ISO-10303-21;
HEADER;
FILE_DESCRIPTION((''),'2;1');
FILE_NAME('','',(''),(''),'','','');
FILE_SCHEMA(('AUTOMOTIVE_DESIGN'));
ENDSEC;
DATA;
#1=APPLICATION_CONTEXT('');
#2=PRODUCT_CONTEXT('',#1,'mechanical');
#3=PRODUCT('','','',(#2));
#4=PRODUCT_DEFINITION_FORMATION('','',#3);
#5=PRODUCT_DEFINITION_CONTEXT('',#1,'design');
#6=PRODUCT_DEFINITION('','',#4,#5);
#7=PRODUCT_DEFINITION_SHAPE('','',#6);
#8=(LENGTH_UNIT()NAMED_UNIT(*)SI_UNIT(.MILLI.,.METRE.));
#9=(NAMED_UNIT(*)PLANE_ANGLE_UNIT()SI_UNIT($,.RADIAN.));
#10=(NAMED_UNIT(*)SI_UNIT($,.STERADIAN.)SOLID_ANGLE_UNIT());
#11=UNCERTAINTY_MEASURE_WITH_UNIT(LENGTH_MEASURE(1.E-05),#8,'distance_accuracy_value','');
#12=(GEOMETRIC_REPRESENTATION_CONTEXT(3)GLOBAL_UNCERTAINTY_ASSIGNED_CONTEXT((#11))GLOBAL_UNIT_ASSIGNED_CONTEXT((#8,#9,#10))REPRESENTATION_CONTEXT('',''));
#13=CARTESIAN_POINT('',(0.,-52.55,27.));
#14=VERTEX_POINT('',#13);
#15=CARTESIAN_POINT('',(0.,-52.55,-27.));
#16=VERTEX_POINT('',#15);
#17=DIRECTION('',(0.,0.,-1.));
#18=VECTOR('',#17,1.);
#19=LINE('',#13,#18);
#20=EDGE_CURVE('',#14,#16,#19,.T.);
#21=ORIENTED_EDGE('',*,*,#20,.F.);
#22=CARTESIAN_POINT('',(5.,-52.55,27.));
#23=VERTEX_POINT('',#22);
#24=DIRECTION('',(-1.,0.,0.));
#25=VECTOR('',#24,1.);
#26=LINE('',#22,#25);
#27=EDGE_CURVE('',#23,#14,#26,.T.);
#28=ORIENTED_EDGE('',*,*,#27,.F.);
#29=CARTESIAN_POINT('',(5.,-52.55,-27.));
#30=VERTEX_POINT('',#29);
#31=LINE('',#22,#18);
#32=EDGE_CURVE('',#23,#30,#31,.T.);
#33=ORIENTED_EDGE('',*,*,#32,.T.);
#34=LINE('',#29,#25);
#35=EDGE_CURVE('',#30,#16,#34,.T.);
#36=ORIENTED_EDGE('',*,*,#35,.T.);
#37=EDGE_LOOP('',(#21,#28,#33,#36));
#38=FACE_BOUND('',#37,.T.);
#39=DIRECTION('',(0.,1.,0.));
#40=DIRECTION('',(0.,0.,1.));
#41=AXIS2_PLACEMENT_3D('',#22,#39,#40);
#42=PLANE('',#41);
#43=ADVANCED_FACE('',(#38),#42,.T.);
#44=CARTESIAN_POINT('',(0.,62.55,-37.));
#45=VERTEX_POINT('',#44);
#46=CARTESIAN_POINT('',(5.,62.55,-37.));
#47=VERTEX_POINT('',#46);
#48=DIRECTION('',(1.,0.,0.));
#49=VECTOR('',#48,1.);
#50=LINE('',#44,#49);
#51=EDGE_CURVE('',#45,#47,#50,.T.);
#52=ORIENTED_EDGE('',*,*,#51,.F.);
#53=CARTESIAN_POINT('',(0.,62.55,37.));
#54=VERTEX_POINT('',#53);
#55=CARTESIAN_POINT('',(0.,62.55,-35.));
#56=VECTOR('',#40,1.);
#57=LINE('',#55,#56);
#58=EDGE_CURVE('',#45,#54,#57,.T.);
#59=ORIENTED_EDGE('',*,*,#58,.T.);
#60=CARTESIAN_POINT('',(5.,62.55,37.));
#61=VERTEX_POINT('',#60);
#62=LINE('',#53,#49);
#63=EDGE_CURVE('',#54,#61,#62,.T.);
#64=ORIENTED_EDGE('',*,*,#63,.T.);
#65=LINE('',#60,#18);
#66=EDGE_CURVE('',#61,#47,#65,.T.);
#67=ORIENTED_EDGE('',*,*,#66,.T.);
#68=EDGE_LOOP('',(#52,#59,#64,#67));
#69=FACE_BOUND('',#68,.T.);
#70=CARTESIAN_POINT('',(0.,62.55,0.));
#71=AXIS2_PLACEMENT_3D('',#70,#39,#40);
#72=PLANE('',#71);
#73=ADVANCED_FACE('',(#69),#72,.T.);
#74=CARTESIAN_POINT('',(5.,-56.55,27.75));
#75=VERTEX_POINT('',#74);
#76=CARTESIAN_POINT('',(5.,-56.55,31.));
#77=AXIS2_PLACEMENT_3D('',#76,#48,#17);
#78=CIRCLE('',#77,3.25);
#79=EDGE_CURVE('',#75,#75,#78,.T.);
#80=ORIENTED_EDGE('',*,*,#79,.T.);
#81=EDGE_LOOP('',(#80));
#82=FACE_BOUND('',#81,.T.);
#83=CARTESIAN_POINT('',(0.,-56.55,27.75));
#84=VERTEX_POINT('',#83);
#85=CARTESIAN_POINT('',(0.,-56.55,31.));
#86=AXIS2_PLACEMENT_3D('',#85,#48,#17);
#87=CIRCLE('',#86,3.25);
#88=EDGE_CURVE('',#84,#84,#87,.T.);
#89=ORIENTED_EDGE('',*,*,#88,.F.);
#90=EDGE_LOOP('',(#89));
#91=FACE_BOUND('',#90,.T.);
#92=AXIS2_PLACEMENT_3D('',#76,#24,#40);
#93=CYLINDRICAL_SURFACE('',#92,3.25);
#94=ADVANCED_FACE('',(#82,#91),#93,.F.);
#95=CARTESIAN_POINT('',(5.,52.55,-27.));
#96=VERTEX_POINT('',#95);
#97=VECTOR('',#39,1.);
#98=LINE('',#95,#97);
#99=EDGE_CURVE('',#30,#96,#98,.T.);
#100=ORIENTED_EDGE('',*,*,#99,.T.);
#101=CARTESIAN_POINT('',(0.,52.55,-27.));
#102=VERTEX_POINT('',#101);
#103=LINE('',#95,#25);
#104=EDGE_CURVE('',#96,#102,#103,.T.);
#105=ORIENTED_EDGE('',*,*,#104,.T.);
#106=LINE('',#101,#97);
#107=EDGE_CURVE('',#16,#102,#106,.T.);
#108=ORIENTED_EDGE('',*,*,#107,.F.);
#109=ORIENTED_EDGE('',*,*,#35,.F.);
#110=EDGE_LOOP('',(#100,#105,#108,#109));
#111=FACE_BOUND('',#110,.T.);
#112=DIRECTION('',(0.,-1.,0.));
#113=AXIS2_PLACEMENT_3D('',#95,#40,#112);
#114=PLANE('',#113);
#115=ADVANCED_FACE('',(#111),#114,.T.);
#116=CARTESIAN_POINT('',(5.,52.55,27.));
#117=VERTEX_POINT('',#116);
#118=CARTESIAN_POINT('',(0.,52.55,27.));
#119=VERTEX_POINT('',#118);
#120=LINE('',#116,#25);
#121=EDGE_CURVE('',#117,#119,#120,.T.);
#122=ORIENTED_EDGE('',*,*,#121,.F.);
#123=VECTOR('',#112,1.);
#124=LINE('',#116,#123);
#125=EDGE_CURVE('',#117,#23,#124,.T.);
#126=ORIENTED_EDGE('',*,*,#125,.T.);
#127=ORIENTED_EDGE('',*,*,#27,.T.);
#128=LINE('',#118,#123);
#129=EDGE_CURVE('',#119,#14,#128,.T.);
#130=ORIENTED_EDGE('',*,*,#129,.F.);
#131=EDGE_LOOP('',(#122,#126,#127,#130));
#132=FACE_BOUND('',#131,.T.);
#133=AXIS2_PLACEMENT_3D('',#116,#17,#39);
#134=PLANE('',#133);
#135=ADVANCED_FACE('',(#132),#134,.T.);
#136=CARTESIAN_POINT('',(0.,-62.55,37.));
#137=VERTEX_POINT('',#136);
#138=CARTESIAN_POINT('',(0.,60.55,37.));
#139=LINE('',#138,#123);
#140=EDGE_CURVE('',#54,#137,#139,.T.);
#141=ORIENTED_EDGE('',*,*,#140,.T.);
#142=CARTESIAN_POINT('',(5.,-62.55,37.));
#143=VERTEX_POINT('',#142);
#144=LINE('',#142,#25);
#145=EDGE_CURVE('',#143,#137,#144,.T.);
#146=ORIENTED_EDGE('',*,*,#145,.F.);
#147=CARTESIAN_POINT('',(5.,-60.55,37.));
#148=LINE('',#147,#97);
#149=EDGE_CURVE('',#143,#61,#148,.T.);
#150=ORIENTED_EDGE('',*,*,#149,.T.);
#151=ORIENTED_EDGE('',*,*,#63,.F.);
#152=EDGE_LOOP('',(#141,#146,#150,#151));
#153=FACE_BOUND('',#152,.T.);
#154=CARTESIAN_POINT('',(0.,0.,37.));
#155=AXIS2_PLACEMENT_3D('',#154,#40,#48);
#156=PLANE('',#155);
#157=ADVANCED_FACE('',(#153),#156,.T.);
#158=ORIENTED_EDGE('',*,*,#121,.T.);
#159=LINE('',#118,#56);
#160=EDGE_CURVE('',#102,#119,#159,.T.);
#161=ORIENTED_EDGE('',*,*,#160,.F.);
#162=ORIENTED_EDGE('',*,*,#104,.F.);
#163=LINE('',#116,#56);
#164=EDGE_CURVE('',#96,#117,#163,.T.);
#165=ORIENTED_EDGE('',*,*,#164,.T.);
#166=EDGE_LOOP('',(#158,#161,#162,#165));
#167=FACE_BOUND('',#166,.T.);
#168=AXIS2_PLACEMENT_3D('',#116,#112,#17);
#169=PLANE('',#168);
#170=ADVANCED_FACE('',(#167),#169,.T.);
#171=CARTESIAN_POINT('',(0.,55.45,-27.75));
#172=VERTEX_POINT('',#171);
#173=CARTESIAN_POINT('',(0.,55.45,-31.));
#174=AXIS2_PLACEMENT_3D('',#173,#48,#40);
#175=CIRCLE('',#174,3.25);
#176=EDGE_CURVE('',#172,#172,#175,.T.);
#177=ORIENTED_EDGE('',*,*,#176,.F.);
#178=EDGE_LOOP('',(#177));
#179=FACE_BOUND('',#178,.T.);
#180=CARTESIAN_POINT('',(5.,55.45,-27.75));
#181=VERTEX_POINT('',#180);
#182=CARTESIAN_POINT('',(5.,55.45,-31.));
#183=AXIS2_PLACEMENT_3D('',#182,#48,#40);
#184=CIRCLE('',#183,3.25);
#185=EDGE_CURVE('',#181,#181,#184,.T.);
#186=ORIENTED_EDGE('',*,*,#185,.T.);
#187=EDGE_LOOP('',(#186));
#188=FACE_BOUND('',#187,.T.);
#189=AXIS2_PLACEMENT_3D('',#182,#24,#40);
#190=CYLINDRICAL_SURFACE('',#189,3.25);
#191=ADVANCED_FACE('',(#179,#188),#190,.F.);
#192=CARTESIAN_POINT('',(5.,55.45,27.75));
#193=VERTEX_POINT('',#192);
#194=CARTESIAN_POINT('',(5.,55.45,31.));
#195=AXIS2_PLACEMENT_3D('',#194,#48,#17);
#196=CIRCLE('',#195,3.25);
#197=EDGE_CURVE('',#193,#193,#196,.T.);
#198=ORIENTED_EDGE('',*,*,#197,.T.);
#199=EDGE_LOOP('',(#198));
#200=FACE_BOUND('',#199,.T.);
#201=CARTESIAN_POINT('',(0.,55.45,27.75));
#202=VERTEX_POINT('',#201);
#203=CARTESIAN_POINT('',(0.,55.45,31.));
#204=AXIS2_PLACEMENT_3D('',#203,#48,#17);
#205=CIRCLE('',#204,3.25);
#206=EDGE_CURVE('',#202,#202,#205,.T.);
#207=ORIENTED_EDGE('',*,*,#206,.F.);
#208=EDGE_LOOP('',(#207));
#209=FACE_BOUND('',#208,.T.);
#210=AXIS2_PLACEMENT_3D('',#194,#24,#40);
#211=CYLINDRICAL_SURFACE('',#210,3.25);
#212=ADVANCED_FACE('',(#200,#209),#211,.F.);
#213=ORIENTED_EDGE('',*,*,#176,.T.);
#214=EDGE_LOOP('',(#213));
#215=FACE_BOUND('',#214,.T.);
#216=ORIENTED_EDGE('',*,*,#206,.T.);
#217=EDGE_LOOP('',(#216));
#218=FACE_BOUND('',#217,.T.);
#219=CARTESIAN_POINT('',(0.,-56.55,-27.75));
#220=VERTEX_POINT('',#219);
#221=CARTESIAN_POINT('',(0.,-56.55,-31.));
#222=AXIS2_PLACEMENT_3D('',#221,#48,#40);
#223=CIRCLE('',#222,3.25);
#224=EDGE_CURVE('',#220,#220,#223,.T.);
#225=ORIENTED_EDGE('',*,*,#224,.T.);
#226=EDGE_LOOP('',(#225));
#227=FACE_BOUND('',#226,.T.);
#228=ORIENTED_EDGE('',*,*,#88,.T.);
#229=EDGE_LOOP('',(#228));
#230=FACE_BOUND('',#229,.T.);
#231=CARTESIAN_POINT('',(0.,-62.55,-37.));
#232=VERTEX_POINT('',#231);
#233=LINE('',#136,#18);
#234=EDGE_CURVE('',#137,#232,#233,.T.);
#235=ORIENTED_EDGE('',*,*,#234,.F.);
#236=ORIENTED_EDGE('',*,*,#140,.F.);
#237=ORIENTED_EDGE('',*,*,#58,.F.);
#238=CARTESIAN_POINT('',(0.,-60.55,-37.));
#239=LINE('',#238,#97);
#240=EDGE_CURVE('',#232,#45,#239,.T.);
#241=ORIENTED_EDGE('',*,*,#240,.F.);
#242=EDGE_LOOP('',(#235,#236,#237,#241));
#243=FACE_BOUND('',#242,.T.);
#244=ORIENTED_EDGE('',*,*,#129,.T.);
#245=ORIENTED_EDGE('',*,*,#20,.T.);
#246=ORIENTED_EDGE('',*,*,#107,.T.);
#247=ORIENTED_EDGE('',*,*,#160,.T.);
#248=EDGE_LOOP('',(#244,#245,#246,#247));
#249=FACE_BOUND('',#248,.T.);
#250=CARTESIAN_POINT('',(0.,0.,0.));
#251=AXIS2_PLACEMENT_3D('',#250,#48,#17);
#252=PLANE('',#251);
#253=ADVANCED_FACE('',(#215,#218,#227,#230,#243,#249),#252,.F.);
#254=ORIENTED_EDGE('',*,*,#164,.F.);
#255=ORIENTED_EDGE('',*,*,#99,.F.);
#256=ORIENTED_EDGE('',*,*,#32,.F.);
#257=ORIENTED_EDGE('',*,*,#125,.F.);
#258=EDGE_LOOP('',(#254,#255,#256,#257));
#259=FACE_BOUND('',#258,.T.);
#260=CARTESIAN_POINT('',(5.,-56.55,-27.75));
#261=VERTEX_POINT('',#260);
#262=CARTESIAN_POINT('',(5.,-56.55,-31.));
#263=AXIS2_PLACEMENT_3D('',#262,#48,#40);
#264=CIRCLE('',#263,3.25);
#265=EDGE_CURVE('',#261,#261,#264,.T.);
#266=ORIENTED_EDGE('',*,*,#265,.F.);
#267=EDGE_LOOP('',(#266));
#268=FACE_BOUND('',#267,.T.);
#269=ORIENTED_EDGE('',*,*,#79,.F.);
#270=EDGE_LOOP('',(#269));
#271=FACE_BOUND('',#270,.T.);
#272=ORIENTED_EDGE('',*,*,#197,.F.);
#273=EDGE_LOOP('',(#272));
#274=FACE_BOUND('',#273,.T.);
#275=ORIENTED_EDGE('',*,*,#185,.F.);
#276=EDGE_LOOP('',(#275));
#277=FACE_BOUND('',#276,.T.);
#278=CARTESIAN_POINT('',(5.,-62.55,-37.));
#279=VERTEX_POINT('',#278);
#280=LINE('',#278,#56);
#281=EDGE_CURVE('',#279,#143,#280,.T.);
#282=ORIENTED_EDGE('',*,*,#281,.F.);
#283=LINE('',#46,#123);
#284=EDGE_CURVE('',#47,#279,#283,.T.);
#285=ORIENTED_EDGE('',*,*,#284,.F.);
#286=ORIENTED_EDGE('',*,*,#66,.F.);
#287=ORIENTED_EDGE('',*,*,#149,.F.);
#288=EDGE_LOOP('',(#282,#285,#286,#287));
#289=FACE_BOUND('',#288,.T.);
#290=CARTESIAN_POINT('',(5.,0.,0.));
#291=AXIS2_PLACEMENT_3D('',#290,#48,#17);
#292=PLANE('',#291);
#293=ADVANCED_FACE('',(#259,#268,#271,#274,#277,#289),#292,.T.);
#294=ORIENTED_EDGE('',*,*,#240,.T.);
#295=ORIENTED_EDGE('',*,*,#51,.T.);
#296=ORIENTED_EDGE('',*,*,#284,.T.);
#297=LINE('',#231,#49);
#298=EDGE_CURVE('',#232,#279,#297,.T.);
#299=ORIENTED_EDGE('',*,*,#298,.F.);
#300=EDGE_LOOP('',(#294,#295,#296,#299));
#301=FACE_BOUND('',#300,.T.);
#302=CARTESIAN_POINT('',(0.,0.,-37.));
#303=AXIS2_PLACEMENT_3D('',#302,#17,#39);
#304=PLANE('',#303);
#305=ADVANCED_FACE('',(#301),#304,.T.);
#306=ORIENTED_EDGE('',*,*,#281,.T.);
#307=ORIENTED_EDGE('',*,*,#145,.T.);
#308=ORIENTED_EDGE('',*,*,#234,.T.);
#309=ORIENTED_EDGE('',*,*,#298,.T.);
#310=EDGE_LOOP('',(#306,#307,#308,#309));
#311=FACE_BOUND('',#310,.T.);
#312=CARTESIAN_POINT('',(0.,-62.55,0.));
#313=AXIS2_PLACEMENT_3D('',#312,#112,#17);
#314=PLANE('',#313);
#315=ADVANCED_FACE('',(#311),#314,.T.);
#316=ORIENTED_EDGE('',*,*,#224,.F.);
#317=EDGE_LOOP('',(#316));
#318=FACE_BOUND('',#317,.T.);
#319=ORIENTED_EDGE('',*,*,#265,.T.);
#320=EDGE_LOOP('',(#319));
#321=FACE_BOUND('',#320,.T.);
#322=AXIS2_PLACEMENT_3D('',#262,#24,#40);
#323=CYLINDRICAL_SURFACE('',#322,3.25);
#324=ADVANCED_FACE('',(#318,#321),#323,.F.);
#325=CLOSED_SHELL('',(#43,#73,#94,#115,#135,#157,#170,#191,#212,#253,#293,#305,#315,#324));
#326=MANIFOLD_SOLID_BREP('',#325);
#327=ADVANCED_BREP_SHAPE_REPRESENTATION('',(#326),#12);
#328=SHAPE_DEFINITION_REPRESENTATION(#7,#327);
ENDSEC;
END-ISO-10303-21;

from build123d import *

# Parameters (mm, degrees)
SKETCH1_W           = 70
SKETCH1_H           = 121.1
SKETCH1_R           = 3.25
SKETCH1_W_2         = 54
SKETCH1_H_2         = 105.1
BOSS_EXTRUDE1_DEPTH = 5
SKETCH2_W           = 5
SKETCH2_H           = 121.1
BOSS_EXTRUDE2_DEPTH = 2
SKETCH3_W           = 5
SKETCH3_H           = 72
BOSS_EXTRUDE3_DEPTH = 2
SKETCH4_W           = 5
SKETCH4_H           = 123.1
BOSS_EXTRUDE4_DEPTH = 2
SKETCH5_W           = 5
SKETCH5_H           = 74
BOSS_EXTRUDE5_DEPTH = 2


with BuildPart() as part:
    # Sketch1 → Boss-Extrude1 (new body)
    with BuildSketch(Plane(origin=(0, 0, 0), x_dir=(0, 0, -1), z_dir=(1, 0, 0))):
        Rectangle(SKETCH1_W, SKETCH1_H)
        with Locations((-31, -56.55)):
            Circle(SKETCH1_R, mode=Mode.SUBTRACT)
        with Locations(Location((31, -56.55, 0), (0, 0, 180))):
            Circle(SKETCH1_R, mode=Mode.SUBTRACT)
        with Locations((-31, 55.45)):
            Circle(SKETCH1_R, mode=Mode.SUBTRACT)
        with Locations(Location((31, 55.45, 0), (0, 0, 180))):
            Circle(SKETCH1_R, mode=Mode.SUBTRACT)
        Rectangle(SKETCH1_W_2, SKETCH1_H_2, mode=Mode.SUBTRACT)
    extrude(amount=BOSS_EXTRUDE1_DEPTH)

    # Sketch2 → Boss-Extrude2 (add)
    with BuildSketch(Plane.XY.offset(35)):
        with Locations((2.5, 0)):
            Rectangle(SKETCH2_W, SKETCH2_H)
    extrude(amount=BOSS_EXTRUDE2_DEPTH)

    # Sketch3 → Boss-Extrude3 (add)
    with BuildSketch(Plane(origin=(0, 60.55, 0), x_dir=(1, 0, 0), z_dir=(0, 1, 0))):
        with Locations((2.5, -1)):
            Rectangle(SKETCH3_W, SKETCH3_H)
    extrude(amount=BOSS_EXTRUDE3_DEPTH)

    # Sketch4 → Boss-Extrude4 (add)
    with BuildSketch(Plane(origin=(0, 0, -35), x_dir=(-1, 0, 0), z_dir=(0, 0, -1))):
        with Locations((-2.5, 1)):
            Rectangle(SKETCH4_W, SKETCH4_H)
    extrude(amount=BOSS_EXTRUDE4_DEPTH)

    # Sketch5 → Boss-Extrude5 (add)
    with BuildSketch(Plane.XZ.offset(60.55)):
        with Locations((2.5, 0)):
            Rectangle(SKETCH5_W, SKETCH5_H)
    extrude(amount=BOSS_EXTRUDE5_DEPTH)


solid = part.part
